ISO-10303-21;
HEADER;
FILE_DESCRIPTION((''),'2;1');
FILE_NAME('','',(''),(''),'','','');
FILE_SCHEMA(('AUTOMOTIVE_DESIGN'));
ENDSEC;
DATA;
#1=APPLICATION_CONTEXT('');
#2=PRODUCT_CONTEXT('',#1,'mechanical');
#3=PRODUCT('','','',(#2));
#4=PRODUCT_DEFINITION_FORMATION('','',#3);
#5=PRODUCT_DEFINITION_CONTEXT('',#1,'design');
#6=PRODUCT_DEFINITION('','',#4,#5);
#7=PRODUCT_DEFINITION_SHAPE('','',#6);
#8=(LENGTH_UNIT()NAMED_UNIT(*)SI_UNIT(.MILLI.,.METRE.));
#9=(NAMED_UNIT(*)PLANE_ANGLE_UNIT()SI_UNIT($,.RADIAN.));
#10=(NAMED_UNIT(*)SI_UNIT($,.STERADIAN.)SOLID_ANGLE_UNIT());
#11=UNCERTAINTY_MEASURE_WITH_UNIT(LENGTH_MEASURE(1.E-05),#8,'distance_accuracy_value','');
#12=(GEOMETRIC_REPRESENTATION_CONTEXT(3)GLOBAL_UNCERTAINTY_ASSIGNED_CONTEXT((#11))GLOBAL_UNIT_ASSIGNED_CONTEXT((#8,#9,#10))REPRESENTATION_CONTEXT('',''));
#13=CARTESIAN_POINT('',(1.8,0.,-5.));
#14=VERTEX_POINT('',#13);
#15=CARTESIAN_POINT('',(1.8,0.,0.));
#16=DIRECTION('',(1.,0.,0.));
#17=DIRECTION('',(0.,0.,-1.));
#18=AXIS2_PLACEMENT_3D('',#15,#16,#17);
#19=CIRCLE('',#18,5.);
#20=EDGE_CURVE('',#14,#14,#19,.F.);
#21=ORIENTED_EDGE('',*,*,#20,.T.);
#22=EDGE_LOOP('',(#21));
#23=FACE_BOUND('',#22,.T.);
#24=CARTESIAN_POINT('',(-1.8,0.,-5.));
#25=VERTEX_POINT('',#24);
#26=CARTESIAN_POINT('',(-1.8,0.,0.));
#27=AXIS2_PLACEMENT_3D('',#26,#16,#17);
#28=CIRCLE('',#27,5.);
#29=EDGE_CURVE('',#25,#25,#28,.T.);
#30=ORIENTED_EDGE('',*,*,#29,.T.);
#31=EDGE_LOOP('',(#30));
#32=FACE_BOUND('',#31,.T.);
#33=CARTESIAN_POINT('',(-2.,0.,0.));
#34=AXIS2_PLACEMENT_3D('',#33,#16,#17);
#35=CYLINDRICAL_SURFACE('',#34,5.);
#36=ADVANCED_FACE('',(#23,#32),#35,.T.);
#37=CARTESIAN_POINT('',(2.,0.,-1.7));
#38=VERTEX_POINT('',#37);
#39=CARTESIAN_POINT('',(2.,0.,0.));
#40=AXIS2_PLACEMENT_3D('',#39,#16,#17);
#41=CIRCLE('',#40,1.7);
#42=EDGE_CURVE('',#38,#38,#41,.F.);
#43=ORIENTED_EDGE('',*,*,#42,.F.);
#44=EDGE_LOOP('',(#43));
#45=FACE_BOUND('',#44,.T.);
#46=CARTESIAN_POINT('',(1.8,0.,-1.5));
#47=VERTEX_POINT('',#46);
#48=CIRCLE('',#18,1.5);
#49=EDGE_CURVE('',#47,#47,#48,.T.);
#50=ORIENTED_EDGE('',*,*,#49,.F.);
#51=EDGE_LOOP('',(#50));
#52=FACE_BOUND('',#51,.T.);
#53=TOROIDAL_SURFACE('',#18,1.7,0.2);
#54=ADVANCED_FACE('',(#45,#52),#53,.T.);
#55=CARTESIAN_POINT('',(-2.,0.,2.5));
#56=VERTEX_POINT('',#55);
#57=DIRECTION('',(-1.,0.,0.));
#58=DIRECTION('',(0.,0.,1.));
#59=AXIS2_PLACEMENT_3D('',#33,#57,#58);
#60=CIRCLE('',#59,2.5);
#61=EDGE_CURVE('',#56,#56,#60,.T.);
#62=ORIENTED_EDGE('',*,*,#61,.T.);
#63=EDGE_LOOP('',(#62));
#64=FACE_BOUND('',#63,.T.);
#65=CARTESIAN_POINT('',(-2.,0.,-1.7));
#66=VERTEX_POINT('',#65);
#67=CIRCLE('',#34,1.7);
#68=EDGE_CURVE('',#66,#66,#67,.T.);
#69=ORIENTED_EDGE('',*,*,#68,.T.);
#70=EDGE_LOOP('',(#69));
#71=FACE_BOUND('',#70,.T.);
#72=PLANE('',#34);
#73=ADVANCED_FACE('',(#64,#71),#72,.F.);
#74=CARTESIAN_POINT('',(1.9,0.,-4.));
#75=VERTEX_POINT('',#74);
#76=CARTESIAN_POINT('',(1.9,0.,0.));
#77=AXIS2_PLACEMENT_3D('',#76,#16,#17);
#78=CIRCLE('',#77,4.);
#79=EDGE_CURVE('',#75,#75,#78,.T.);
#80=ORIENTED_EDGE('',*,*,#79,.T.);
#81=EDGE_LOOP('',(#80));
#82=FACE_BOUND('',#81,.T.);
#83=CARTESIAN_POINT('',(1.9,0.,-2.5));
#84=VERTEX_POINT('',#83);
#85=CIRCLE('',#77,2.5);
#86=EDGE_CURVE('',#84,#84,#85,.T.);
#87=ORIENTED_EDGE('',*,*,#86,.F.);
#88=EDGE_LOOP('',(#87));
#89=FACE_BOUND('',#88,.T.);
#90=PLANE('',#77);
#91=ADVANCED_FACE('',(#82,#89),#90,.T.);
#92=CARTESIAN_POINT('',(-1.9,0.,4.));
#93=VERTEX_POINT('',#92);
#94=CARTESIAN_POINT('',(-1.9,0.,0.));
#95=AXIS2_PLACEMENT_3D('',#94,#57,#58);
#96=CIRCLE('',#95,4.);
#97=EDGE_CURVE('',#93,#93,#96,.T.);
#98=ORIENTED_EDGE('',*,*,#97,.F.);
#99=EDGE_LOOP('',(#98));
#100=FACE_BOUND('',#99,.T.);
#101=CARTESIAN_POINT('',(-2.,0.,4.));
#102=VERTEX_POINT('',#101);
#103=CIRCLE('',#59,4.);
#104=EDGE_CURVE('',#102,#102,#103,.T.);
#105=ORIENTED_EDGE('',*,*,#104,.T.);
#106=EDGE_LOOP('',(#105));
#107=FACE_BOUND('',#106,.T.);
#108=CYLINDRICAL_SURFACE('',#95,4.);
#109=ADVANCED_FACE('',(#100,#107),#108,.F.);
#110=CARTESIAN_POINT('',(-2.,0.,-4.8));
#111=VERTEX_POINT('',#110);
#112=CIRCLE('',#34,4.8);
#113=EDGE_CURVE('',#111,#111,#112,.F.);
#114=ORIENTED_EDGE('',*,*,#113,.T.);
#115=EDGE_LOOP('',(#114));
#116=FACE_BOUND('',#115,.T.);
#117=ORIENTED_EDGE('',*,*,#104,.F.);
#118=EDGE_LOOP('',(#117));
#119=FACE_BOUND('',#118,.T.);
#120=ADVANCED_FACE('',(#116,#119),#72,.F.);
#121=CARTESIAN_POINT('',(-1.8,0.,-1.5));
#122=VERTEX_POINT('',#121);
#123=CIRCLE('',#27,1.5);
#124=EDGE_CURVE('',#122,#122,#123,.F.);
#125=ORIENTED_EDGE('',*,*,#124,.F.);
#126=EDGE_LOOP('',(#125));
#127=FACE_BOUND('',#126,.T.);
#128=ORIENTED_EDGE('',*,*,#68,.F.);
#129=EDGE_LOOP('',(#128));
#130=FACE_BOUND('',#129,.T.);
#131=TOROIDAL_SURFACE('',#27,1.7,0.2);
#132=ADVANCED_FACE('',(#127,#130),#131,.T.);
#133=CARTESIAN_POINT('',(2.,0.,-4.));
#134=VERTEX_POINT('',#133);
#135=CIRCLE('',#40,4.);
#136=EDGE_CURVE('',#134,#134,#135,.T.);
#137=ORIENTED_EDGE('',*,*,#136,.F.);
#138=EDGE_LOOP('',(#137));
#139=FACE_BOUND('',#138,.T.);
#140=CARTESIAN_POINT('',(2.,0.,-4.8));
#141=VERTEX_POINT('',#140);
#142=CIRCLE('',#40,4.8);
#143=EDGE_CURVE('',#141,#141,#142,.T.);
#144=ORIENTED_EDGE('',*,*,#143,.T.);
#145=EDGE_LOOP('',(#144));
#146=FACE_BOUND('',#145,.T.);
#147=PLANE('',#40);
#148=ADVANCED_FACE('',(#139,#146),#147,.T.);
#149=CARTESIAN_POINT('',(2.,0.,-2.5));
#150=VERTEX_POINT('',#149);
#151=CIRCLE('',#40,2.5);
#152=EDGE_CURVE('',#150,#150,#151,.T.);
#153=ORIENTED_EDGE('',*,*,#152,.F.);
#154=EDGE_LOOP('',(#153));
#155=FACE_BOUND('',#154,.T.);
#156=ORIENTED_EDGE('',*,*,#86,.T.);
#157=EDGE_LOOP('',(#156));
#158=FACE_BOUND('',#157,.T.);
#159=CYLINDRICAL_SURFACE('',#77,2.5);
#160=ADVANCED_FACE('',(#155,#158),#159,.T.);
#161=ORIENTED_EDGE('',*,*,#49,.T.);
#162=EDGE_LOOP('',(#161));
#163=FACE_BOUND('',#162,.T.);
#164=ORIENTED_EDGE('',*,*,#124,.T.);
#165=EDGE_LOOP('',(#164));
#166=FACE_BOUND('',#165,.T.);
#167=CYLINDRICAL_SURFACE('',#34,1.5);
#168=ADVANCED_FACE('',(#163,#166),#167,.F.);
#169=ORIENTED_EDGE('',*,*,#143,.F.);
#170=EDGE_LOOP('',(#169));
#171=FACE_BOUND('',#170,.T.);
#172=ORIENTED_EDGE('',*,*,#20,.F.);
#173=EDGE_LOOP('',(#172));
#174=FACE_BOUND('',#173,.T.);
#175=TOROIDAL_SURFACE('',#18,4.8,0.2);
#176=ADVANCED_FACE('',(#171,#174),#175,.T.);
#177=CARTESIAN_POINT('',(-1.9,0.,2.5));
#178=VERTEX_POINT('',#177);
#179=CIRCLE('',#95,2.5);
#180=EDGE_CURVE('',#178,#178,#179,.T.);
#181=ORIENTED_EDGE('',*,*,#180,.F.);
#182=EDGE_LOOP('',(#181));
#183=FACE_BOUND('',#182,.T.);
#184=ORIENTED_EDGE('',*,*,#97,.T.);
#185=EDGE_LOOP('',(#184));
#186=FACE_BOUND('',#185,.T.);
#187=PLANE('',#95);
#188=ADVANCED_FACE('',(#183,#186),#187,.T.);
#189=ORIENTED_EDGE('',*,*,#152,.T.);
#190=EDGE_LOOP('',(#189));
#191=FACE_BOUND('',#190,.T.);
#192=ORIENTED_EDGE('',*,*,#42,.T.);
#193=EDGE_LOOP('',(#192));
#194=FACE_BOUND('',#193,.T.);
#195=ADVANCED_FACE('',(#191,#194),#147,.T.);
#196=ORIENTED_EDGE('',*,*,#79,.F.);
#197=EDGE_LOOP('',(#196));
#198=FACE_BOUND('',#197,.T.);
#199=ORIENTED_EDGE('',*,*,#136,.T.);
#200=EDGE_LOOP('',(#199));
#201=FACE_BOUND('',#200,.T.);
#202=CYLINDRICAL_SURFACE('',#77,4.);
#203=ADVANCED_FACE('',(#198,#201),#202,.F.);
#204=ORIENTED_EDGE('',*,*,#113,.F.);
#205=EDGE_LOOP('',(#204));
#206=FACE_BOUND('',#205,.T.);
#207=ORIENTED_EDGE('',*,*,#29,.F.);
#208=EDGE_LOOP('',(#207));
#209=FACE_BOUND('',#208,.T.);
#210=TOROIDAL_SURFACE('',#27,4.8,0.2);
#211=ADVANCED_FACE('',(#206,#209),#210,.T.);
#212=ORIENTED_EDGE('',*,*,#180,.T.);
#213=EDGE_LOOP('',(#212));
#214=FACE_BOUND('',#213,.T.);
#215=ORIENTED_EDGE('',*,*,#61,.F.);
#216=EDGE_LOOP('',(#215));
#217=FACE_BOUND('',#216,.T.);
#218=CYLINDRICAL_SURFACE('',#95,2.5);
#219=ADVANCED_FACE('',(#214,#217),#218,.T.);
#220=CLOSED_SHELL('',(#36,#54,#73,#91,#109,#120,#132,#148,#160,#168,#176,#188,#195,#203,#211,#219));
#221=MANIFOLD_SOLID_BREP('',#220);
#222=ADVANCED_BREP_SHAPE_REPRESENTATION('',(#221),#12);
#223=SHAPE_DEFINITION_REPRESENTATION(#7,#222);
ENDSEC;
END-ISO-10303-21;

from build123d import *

# Parameters (mm, degrees)
BOSS_EXTRUDE1_DEPTH      = 2
BOSS_EXTRUDE1_DEPTH_BACK = 2
SKETCH1_R                = 5
SKETCH1_R_2              = 1.5
FILLET1_R                = 0.2
SKETCH2_R                = 4
SKETCH2_R_2              = 2.5
CUT_EXTRUDE1_DEPTH       = 0.1
CUT_EXTRUDE2_START       = -0.1
SKETCH3_R                = 4
SKETCH3_R_2              = 2.5
CUT_EXTRUDE2_DEPTH       = 0.1


with BuildPart() as part:
    # Sketch1 → Boss-Extrude1 (new, two sides: drawn at the far end of the back side and taken through both)
    with BuildSketch(Plane(origin=(0, 0, 0), x_dir=(0, 0, -1), z_dir=(1, 0, 0)).offset(-BOSS_EXTRUDE1_DEPTH_BACK)):
        Circle(SKETCH1_R)
        Circle(SKETCH1_R_2, mode=Mode.SUBTRACT)
    extrude(amount=BOSS_EXTRUDE1_DEPTH + BOSS_EXTRUDE1_DEPTH_BACK)

    # Fillet1
    fillet1_edges = [part.edges().sort_by_distance(p)[0] for p in [
        (-2, 0, 1.5),
        (2, 0, 1.5),
        (-2, 0, 5),
        (2, 0, 5),
    ]]
    fillet(fillet1_edges, radius=FILLET1_R)

    # Sketch2 → Cut-Extrude1 (cut)
    with BuildSketch(Plane(origin=(2, 0, 0), x_dir=(0, 0, -1), z_dir=(1, 0, 0))):
        Circle(SKETCH2_R)
        Circle(SKETCH2_R_2, mode=Mode.SUBTRACT)
    extrude(amount=-CUT_EXTRUDE1_DEPTH, mode=Mode.SUBTRACT)

    # Sketch3 → Cut-Extrude2 (cut)
    with BuildSketch(Plane.ZY.offset(2).offset(CUT_EXTRUDE2_START)):
        Circle(SKETCH3_R)
        Circle(SKETCH3_R_2, mode=Mode.SUBTRACT)
    extrude(amount=CUT_EXTRUDE2_DEPTH, mode=Mode.SUBTRACT)


solid = part.part
